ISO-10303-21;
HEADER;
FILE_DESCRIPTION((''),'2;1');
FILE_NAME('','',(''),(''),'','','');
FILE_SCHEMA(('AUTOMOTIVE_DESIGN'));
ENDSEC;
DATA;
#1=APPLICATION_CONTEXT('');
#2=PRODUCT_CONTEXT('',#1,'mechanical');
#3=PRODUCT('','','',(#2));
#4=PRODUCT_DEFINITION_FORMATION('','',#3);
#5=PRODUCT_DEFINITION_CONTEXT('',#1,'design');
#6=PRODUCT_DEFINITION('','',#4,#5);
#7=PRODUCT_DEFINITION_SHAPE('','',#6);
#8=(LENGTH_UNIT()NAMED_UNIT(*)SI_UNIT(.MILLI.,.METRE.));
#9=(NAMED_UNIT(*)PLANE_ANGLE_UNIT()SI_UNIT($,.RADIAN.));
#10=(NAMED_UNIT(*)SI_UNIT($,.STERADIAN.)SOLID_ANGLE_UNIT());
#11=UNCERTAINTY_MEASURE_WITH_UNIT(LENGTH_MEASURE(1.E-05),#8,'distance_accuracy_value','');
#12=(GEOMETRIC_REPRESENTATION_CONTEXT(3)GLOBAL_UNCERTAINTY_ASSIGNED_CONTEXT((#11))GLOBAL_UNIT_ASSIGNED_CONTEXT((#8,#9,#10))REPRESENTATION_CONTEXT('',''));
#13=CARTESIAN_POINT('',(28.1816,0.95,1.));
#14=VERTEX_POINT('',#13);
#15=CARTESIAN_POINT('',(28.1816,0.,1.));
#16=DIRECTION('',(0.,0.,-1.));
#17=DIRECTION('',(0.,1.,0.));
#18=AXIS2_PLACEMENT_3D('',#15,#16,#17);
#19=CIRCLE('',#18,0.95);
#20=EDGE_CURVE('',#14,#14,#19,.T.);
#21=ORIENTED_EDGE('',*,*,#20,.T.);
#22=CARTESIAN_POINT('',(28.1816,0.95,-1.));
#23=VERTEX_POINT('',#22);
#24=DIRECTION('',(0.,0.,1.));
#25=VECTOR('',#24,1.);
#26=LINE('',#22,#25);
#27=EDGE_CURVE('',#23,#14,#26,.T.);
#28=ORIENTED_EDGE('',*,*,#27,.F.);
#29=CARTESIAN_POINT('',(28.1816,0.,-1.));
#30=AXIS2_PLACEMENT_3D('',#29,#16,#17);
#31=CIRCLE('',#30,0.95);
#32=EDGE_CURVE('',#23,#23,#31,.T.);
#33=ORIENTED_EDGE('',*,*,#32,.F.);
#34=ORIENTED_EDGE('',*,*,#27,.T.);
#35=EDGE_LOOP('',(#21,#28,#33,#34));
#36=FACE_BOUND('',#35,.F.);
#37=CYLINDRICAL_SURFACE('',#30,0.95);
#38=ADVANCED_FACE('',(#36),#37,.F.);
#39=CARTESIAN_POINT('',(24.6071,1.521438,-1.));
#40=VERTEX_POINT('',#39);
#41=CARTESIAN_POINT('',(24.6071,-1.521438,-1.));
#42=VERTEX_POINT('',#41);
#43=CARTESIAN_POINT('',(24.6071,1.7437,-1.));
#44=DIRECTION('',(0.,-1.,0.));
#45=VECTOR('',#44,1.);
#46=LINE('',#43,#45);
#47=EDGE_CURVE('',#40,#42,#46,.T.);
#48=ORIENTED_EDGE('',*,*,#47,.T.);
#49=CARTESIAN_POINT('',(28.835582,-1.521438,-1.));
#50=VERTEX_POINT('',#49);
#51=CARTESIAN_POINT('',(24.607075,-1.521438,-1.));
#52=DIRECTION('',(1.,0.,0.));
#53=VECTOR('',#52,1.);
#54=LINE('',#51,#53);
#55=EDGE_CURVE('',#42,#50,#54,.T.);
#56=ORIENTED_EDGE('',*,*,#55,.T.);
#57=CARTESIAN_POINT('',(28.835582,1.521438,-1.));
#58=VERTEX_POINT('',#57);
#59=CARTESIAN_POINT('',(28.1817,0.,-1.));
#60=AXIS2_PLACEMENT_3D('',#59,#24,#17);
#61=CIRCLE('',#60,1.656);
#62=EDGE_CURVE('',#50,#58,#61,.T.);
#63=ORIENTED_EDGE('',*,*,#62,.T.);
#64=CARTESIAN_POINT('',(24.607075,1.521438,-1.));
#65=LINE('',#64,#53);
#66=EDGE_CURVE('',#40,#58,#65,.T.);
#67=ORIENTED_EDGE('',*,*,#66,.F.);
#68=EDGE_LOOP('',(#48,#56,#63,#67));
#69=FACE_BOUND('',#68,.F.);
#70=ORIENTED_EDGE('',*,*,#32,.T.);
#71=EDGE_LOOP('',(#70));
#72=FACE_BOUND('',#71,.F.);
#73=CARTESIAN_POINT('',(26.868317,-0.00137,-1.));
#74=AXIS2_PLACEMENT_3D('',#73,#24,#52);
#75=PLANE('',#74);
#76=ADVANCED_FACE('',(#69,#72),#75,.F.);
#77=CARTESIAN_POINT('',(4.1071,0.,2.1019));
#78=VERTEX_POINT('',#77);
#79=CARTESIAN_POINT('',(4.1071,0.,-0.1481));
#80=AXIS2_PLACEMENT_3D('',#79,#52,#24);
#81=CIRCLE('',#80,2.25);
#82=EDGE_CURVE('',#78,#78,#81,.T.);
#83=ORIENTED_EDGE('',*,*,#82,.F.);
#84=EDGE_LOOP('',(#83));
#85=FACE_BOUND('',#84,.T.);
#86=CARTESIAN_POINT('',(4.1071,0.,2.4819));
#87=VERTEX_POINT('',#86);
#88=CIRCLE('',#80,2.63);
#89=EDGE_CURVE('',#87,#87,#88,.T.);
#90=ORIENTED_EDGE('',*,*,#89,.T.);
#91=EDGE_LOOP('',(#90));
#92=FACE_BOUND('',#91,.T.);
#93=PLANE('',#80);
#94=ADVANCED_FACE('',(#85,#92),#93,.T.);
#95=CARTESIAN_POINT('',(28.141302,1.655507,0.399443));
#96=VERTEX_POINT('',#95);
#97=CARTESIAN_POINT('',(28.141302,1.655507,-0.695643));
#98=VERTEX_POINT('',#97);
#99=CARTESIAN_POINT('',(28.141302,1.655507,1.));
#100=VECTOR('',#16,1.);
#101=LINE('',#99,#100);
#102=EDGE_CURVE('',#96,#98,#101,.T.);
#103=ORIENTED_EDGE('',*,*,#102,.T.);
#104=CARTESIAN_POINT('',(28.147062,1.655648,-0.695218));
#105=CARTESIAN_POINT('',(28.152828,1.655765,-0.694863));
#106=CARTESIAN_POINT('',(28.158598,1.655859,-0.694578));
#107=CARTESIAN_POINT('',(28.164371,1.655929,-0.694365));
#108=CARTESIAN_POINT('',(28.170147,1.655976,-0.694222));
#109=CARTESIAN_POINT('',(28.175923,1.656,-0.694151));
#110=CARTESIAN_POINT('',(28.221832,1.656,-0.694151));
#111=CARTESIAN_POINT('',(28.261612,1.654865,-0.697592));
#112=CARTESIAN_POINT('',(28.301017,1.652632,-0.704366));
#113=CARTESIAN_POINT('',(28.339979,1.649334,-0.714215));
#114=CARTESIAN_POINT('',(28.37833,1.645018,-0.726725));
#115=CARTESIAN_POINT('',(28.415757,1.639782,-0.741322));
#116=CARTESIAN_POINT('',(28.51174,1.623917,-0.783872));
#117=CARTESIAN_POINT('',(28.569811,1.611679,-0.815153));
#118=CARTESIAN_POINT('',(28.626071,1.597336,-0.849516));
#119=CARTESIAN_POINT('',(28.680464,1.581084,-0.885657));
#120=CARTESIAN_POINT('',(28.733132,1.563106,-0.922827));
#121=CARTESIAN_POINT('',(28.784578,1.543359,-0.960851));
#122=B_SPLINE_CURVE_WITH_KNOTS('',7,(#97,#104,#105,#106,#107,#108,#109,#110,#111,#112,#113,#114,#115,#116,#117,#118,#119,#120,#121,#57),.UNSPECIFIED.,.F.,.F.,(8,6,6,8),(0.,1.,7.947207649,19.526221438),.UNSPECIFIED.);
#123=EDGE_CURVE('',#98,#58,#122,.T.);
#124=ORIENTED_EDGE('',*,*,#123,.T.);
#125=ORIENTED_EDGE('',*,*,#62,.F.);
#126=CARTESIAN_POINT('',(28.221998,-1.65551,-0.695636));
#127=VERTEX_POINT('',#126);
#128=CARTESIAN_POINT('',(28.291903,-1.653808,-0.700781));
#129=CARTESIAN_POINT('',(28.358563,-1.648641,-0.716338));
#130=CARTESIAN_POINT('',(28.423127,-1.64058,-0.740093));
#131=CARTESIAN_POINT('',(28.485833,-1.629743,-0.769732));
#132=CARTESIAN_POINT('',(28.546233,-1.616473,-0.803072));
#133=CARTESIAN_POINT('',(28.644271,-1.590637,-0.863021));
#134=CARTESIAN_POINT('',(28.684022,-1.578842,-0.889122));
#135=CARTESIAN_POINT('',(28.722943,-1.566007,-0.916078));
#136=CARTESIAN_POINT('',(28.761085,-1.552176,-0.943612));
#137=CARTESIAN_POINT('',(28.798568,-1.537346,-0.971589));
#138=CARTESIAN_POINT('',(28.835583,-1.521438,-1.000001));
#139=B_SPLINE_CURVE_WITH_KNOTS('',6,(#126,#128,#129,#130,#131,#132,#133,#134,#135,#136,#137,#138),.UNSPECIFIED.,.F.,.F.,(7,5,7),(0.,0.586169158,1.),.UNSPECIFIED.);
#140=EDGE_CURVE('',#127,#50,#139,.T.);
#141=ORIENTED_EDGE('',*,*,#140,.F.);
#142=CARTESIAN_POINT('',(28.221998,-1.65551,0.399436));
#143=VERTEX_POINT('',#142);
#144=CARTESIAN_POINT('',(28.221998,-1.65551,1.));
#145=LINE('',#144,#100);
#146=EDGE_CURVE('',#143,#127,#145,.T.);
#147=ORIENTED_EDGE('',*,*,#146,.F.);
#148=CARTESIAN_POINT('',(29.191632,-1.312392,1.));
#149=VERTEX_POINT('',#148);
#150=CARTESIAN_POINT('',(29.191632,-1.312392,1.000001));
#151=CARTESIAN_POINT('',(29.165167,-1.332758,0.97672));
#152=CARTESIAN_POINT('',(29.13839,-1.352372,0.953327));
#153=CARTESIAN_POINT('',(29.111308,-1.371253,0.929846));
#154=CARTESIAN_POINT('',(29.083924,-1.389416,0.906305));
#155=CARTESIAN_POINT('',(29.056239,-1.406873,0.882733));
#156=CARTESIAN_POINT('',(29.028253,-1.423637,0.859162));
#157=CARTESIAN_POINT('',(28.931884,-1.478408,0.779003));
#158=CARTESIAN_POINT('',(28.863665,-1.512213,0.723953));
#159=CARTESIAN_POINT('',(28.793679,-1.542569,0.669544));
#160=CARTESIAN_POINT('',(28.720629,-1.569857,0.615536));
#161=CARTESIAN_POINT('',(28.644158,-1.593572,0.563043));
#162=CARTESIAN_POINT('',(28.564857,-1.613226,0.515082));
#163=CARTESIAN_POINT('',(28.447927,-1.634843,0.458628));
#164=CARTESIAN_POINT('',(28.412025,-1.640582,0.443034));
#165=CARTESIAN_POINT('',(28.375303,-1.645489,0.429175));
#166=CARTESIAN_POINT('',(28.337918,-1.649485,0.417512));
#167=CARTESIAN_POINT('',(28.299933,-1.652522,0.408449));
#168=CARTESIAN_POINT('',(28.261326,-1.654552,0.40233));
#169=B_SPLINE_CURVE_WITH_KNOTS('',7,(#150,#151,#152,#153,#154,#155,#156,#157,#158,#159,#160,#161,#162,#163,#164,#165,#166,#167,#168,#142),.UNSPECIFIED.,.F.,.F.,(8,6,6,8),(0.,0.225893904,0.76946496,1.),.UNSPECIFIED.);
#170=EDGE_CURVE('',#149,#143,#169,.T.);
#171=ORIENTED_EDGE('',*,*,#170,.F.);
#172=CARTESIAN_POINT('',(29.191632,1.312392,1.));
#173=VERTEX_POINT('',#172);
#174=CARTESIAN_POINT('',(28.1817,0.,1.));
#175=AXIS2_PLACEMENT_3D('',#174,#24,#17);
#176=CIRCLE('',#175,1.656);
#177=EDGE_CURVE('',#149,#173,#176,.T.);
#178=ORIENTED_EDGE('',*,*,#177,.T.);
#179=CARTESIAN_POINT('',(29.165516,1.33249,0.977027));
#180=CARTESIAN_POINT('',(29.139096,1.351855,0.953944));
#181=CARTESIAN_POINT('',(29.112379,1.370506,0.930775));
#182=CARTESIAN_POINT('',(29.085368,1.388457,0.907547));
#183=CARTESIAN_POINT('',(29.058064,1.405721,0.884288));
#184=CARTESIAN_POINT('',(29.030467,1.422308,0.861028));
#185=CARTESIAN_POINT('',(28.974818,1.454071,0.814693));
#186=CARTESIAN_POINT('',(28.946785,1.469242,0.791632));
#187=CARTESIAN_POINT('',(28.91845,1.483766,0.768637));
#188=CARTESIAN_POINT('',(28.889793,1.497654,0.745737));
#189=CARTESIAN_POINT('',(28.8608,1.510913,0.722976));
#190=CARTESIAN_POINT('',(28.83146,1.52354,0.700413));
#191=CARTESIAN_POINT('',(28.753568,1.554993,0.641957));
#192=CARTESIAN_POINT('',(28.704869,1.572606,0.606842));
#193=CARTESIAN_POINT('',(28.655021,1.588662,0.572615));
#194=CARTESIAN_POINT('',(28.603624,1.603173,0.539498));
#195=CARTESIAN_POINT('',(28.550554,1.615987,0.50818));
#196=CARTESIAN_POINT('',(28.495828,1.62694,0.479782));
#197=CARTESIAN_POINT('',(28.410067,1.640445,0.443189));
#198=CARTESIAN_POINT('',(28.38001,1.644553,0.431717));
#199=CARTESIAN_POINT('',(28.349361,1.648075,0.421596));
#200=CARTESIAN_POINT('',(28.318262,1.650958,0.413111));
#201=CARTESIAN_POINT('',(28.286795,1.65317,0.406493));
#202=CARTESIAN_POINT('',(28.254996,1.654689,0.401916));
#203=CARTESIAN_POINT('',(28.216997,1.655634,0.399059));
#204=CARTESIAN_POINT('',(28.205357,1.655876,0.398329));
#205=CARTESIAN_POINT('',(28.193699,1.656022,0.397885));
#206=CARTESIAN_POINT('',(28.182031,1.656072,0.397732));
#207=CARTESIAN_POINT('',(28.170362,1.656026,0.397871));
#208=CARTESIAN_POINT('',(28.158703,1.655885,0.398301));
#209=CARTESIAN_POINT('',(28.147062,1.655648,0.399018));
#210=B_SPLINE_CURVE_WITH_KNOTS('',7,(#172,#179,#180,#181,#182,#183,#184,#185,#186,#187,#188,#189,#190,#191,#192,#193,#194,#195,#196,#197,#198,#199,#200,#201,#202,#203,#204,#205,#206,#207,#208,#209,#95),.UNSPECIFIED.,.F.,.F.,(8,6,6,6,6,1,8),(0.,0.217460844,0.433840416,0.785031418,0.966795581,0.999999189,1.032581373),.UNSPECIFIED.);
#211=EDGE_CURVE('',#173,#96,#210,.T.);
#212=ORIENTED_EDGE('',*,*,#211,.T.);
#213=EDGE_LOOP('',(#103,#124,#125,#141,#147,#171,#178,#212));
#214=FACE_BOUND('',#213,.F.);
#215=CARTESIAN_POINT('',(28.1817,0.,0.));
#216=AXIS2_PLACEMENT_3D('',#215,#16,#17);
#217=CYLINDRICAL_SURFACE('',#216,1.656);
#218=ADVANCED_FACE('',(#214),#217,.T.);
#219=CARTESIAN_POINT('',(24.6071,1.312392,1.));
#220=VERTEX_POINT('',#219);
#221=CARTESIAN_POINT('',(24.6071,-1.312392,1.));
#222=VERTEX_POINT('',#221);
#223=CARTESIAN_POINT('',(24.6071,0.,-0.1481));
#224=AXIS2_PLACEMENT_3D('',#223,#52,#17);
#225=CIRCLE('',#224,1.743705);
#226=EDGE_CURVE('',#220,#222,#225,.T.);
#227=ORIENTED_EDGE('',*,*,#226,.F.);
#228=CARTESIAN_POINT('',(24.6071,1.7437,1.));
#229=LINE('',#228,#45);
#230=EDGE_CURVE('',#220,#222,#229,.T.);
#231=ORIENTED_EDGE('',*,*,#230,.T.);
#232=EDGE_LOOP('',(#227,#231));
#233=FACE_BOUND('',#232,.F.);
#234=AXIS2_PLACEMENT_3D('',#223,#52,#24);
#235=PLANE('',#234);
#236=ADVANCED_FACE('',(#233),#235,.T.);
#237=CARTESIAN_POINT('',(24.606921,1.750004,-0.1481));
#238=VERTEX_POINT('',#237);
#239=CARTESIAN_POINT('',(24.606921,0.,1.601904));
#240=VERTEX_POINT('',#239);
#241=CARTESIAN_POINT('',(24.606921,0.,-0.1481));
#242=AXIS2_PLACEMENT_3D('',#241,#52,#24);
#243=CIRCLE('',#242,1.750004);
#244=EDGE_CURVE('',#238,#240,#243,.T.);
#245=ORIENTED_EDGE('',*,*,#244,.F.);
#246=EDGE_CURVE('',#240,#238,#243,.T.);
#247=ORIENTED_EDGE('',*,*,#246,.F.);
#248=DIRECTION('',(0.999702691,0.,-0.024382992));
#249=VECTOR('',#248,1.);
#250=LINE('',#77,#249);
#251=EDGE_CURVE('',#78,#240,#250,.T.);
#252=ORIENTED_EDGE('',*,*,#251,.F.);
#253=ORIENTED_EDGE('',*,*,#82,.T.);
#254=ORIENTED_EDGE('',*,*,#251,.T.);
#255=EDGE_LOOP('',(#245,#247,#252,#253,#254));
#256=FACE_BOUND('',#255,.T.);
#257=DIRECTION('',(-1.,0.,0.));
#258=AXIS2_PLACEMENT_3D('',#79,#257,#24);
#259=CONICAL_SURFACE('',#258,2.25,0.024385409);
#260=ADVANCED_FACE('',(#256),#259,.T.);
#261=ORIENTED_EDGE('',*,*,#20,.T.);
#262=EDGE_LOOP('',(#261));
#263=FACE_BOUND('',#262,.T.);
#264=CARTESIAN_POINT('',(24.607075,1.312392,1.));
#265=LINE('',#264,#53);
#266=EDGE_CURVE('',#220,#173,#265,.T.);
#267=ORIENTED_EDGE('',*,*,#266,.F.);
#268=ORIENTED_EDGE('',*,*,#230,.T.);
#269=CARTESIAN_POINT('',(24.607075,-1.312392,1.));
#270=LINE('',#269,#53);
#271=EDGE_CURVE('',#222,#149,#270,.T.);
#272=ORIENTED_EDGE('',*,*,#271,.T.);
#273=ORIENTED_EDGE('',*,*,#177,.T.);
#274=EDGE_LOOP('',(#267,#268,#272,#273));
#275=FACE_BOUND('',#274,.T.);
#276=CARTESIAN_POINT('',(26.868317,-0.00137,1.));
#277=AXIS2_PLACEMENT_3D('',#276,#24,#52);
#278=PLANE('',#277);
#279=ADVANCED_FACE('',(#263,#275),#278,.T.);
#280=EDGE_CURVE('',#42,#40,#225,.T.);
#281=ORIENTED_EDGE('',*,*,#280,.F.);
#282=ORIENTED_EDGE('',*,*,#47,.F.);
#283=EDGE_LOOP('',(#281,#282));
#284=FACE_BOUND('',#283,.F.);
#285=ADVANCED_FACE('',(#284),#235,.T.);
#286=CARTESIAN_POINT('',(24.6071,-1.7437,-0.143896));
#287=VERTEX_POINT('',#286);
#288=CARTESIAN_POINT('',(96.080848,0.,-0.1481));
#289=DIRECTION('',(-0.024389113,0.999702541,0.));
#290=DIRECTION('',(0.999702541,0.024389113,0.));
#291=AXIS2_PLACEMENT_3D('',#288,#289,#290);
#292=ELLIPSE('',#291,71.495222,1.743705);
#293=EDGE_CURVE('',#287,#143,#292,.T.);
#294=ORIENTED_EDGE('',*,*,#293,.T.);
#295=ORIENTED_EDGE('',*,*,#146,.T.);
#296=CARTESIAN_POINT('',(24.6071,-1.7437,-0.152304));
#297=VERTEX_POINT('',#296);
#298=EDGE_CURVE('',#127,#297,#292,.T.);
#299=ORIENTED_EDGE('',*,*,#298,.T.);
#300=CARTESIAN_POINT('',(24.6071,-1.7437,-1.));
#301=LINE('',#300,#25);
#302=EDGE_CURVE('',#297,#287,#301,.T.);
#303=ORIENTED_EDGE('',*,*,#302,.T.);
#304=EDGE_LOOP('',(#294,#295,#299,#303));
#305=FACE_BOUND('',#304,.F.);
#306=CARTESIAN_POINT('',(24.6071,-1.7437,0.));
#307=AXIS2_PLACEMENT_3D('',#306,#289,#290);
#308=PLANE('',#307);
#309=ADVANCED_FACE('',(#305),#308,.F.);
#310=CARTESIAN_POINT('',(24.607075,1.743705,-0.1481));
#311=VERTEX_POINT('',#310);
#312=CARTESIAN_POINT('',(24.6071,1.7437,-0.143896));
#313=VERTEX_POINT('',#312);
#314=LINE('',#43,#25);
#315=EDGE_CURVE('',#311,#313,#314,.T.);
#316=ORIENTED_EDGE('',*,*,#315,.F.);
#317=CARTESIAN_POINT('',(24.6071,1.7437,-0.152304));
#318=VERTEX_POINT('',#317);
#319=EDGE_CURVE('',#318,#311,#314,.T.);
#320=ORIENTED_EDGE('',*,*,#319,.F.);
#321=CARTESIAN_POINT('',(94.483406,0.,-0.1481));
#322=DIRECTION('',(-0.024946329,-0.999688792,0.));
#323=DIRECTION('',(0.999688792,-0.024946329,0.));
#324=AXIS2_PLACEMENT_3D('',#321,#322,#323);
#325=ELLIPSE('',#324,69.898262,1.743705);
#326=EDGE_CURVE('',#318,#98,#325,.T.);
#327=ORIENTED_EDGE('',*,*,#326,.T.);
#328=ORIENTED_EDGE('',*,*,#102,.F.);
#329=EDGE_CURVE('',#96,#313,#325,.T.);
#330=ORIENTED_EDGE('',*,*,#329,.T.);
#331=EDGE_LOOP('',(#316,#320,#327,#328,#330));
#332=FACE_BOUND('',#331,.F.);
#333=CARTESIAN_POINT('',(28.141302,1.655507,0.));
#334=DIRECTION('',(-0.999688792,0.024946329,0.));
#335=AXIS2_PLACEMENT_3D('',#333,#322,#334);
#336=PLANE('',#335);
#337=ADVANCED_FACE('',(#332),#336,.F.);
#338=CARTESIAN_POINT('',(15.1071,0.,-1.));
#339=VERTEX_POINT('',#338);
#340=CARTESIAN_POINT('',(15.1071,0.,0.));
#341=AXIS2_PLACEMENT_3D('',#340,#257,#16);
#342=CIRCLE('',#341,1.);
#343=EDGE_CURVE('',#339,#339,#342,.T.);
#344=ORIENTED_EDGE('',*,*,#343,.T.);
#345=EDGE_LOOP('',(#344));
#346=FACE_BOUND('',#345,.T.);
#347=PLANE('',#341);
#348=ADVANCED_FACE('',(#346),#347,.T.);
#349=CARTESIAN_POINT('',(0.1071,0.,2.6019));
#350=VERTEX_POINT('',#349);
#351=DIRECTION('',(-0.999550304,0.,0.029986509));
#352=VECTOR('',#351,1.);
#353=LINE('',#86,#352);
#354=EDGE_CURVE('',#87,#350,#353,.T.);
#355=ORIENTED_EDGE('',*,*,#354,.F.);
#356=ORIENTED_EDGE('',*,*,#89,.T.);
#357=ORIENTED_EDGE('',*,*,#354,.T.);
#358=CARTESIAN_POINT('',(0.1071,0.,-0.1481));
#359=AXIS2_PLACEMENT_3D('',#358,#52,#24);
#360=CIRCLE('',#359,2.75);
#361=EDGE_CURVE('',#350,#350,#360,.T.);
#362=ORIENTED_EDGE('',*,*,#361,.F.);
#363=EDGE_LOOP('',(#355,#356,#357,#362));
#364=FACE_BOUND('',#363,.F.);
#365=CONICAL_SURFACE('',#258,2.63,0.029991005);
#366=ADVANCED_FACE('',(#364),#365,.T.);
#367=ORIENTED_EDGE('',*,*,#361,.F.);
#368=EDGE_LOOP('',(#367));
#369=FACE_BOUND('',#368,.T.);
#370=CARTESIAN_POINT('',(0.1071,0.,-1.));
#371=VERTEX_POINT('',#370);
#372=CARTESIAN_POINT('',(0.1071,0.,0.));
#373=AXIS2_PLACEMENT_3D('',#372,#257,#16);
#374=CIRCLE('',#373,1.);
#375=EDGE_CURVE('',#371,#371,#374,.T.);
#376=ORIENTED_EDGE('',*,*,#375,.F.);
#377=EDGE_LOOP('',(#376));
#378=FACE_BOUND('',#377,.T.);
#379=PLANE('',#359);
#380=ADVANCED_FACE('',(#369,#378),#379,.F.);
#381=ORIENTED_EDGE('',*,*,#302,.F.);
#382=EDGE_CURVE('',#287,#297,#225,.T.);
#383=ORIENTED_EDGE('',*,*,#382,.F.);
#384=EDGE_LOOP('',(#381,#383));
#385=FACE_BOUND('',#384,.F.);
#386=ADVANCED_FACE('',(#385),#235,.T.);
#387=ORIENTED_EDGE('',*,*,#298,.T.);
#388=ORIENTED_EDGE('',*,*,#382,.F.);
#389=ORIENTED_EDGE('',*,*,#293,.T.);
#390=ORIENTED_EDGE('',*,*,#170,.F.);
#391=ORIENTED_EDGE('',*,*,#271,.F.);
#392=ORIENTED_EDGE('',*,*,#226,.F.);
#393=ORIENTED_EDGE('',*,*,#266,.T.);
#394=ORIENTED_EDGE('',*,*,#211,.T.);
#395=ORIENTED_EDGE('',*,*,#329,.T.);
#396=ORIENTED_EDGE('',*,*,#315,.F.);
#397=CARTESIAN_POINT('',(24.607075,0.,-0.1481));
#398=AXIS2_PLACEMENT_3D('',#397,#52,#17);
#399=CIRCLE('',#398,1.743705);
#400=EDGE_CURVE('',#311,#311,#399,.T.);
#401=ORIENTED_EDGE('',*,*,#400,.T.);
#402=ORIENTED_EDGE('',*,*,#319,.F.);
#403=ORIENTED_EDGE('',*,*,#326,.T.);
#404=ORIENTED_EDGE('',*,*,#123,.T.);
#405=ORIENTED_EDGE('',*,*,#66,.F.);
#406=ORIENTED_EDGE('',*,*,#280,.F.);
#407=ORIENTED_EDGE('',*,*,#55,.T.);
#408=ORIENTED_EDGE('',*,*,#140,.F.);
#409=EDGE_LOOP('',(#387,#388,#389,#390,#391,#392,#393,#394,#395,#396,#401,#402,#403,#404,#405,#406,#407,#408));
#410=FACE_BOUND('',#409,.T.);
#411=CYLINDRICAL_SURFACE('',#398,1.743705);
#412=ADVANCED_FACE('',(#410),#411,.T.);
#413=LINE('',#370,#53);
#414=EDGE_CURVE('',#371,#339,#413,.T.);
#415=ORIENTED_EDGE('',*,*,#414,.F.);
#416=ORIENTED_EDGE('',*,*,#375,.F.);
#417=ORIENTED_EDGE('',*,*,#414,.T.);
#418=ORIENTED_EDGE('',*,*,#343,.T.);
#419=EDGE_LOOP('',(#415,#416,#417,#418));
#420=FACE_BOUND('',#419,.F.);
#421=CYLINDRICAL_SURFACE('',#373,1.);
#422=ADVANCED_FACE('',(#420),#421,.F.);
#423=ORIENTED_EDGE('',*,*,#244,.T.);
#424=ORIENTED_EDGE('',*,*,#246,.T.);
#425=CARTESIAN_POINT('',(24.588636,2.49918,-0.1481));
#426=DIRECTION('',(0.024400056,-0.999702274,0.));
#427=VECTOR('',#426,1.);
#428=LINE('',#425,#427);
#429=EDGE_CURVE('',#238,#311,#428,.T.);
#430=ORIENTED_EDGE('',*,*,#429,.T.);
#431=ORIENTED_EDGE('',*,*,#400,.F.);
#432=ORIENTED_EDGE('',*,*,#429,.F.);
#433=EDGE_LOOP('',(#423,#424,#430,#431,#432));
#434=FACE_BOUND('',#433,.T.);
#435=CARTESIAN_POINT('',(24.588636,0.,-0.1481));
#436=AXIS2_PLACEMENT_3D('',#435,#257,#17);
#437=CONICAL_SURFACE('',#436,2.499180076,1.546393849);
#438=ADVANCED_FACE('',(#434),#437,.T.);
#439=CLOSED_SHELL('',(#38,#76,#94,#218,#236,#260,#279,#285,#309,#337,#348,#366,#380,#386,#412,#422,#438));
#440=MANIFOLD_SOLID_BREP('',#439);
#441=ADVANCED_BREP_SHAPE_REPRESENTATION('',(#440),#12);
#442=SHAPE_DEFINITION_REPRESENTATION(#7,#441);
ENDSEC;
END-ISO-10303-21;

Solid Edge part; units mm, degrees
sketch "Sketch1" plane through (0, 0, 0) normal (0, -1, 0) x (1, 0, 0)
  line L0 (0.1071, -0.1481) -> (0.1071, 2.6019)
  line L1 (4.1071, 2.4819) -> (0.1071, 2.6019)
  line L2 (4.1071, 2.4819) -> (4.1071, 2.1019)
  line L3 (4.1071, 2.1019) -> (24.6071, 1.6019)
  line L4 (24.6071, -0.1481) -> (24.6071, 1.6019)
revolve "RevolvedProtrusion1" add sketch "Sketch1" angle 360 about axis through (0.1071, 0, -0.1481) along (1, 0, 0)
sketch "Sketch2" plane through (24.7552, 0, 0) normal (0, 0, 1) x (0, 1, 0)
  line L0 (1.6556, -3.3861) -> (1.7437, 0.1481)
  line L1 (1.7437, 0.1481) -> (-1.7437, 0.1481)
  line L2 (-1.7437, 0.1481) -> (-1.6556, -3.4668)
  arc A0 (-1.6556, -3.4668) -> (1.6556, -3.3861) centre (0, -3.4265) ccw
extrude "ExtrudedProtrusion_2" add sketch "Sketch2" along normal mid plane 2
sketch "Sketch3" plane through (27.2224, 0, -0.1481) normal (0, 0, 1) x (-0.9997, -0.0244, 0)
  line L0 (-3.4837, -2.415) -> (2.572, -2.5627)
  line L1 (2.572, -2.5627) -> (2.572, -1.807)
  line L2 (2.572, -1.807) -> (-3.4837, -1.6593)
  line L3 (-3.4837, -1.6593) -> (-3.4837, -2.415)
revolve "RevolvedCutout1" cut sketch "Sketch3" angle 360 about axis through (24.6071, 0, -0.1481) along (1, 0, 0)
sketch "Sketch4" plane through (27.2224, 0, -1) normal (0, 0, -1) x (0, 1, 0)
  circle A0 centre (0, 0.9592) radius 0.95
extrude "Cutout1" cut sketch "Sketch4" against normal up to vertex (2 mm away)
sketch "Sketch5" plane through (0.1071, 0, -0.1481) normal (-1, 0, 0) x (0, 0, -1)
  circle A0 centre (-0.1481, 0) radius 1
extrude "ExtrudedCutout_2" cut sketch "Sketch5" against normal blind 15
properties material "Stainless Steel, 420"
